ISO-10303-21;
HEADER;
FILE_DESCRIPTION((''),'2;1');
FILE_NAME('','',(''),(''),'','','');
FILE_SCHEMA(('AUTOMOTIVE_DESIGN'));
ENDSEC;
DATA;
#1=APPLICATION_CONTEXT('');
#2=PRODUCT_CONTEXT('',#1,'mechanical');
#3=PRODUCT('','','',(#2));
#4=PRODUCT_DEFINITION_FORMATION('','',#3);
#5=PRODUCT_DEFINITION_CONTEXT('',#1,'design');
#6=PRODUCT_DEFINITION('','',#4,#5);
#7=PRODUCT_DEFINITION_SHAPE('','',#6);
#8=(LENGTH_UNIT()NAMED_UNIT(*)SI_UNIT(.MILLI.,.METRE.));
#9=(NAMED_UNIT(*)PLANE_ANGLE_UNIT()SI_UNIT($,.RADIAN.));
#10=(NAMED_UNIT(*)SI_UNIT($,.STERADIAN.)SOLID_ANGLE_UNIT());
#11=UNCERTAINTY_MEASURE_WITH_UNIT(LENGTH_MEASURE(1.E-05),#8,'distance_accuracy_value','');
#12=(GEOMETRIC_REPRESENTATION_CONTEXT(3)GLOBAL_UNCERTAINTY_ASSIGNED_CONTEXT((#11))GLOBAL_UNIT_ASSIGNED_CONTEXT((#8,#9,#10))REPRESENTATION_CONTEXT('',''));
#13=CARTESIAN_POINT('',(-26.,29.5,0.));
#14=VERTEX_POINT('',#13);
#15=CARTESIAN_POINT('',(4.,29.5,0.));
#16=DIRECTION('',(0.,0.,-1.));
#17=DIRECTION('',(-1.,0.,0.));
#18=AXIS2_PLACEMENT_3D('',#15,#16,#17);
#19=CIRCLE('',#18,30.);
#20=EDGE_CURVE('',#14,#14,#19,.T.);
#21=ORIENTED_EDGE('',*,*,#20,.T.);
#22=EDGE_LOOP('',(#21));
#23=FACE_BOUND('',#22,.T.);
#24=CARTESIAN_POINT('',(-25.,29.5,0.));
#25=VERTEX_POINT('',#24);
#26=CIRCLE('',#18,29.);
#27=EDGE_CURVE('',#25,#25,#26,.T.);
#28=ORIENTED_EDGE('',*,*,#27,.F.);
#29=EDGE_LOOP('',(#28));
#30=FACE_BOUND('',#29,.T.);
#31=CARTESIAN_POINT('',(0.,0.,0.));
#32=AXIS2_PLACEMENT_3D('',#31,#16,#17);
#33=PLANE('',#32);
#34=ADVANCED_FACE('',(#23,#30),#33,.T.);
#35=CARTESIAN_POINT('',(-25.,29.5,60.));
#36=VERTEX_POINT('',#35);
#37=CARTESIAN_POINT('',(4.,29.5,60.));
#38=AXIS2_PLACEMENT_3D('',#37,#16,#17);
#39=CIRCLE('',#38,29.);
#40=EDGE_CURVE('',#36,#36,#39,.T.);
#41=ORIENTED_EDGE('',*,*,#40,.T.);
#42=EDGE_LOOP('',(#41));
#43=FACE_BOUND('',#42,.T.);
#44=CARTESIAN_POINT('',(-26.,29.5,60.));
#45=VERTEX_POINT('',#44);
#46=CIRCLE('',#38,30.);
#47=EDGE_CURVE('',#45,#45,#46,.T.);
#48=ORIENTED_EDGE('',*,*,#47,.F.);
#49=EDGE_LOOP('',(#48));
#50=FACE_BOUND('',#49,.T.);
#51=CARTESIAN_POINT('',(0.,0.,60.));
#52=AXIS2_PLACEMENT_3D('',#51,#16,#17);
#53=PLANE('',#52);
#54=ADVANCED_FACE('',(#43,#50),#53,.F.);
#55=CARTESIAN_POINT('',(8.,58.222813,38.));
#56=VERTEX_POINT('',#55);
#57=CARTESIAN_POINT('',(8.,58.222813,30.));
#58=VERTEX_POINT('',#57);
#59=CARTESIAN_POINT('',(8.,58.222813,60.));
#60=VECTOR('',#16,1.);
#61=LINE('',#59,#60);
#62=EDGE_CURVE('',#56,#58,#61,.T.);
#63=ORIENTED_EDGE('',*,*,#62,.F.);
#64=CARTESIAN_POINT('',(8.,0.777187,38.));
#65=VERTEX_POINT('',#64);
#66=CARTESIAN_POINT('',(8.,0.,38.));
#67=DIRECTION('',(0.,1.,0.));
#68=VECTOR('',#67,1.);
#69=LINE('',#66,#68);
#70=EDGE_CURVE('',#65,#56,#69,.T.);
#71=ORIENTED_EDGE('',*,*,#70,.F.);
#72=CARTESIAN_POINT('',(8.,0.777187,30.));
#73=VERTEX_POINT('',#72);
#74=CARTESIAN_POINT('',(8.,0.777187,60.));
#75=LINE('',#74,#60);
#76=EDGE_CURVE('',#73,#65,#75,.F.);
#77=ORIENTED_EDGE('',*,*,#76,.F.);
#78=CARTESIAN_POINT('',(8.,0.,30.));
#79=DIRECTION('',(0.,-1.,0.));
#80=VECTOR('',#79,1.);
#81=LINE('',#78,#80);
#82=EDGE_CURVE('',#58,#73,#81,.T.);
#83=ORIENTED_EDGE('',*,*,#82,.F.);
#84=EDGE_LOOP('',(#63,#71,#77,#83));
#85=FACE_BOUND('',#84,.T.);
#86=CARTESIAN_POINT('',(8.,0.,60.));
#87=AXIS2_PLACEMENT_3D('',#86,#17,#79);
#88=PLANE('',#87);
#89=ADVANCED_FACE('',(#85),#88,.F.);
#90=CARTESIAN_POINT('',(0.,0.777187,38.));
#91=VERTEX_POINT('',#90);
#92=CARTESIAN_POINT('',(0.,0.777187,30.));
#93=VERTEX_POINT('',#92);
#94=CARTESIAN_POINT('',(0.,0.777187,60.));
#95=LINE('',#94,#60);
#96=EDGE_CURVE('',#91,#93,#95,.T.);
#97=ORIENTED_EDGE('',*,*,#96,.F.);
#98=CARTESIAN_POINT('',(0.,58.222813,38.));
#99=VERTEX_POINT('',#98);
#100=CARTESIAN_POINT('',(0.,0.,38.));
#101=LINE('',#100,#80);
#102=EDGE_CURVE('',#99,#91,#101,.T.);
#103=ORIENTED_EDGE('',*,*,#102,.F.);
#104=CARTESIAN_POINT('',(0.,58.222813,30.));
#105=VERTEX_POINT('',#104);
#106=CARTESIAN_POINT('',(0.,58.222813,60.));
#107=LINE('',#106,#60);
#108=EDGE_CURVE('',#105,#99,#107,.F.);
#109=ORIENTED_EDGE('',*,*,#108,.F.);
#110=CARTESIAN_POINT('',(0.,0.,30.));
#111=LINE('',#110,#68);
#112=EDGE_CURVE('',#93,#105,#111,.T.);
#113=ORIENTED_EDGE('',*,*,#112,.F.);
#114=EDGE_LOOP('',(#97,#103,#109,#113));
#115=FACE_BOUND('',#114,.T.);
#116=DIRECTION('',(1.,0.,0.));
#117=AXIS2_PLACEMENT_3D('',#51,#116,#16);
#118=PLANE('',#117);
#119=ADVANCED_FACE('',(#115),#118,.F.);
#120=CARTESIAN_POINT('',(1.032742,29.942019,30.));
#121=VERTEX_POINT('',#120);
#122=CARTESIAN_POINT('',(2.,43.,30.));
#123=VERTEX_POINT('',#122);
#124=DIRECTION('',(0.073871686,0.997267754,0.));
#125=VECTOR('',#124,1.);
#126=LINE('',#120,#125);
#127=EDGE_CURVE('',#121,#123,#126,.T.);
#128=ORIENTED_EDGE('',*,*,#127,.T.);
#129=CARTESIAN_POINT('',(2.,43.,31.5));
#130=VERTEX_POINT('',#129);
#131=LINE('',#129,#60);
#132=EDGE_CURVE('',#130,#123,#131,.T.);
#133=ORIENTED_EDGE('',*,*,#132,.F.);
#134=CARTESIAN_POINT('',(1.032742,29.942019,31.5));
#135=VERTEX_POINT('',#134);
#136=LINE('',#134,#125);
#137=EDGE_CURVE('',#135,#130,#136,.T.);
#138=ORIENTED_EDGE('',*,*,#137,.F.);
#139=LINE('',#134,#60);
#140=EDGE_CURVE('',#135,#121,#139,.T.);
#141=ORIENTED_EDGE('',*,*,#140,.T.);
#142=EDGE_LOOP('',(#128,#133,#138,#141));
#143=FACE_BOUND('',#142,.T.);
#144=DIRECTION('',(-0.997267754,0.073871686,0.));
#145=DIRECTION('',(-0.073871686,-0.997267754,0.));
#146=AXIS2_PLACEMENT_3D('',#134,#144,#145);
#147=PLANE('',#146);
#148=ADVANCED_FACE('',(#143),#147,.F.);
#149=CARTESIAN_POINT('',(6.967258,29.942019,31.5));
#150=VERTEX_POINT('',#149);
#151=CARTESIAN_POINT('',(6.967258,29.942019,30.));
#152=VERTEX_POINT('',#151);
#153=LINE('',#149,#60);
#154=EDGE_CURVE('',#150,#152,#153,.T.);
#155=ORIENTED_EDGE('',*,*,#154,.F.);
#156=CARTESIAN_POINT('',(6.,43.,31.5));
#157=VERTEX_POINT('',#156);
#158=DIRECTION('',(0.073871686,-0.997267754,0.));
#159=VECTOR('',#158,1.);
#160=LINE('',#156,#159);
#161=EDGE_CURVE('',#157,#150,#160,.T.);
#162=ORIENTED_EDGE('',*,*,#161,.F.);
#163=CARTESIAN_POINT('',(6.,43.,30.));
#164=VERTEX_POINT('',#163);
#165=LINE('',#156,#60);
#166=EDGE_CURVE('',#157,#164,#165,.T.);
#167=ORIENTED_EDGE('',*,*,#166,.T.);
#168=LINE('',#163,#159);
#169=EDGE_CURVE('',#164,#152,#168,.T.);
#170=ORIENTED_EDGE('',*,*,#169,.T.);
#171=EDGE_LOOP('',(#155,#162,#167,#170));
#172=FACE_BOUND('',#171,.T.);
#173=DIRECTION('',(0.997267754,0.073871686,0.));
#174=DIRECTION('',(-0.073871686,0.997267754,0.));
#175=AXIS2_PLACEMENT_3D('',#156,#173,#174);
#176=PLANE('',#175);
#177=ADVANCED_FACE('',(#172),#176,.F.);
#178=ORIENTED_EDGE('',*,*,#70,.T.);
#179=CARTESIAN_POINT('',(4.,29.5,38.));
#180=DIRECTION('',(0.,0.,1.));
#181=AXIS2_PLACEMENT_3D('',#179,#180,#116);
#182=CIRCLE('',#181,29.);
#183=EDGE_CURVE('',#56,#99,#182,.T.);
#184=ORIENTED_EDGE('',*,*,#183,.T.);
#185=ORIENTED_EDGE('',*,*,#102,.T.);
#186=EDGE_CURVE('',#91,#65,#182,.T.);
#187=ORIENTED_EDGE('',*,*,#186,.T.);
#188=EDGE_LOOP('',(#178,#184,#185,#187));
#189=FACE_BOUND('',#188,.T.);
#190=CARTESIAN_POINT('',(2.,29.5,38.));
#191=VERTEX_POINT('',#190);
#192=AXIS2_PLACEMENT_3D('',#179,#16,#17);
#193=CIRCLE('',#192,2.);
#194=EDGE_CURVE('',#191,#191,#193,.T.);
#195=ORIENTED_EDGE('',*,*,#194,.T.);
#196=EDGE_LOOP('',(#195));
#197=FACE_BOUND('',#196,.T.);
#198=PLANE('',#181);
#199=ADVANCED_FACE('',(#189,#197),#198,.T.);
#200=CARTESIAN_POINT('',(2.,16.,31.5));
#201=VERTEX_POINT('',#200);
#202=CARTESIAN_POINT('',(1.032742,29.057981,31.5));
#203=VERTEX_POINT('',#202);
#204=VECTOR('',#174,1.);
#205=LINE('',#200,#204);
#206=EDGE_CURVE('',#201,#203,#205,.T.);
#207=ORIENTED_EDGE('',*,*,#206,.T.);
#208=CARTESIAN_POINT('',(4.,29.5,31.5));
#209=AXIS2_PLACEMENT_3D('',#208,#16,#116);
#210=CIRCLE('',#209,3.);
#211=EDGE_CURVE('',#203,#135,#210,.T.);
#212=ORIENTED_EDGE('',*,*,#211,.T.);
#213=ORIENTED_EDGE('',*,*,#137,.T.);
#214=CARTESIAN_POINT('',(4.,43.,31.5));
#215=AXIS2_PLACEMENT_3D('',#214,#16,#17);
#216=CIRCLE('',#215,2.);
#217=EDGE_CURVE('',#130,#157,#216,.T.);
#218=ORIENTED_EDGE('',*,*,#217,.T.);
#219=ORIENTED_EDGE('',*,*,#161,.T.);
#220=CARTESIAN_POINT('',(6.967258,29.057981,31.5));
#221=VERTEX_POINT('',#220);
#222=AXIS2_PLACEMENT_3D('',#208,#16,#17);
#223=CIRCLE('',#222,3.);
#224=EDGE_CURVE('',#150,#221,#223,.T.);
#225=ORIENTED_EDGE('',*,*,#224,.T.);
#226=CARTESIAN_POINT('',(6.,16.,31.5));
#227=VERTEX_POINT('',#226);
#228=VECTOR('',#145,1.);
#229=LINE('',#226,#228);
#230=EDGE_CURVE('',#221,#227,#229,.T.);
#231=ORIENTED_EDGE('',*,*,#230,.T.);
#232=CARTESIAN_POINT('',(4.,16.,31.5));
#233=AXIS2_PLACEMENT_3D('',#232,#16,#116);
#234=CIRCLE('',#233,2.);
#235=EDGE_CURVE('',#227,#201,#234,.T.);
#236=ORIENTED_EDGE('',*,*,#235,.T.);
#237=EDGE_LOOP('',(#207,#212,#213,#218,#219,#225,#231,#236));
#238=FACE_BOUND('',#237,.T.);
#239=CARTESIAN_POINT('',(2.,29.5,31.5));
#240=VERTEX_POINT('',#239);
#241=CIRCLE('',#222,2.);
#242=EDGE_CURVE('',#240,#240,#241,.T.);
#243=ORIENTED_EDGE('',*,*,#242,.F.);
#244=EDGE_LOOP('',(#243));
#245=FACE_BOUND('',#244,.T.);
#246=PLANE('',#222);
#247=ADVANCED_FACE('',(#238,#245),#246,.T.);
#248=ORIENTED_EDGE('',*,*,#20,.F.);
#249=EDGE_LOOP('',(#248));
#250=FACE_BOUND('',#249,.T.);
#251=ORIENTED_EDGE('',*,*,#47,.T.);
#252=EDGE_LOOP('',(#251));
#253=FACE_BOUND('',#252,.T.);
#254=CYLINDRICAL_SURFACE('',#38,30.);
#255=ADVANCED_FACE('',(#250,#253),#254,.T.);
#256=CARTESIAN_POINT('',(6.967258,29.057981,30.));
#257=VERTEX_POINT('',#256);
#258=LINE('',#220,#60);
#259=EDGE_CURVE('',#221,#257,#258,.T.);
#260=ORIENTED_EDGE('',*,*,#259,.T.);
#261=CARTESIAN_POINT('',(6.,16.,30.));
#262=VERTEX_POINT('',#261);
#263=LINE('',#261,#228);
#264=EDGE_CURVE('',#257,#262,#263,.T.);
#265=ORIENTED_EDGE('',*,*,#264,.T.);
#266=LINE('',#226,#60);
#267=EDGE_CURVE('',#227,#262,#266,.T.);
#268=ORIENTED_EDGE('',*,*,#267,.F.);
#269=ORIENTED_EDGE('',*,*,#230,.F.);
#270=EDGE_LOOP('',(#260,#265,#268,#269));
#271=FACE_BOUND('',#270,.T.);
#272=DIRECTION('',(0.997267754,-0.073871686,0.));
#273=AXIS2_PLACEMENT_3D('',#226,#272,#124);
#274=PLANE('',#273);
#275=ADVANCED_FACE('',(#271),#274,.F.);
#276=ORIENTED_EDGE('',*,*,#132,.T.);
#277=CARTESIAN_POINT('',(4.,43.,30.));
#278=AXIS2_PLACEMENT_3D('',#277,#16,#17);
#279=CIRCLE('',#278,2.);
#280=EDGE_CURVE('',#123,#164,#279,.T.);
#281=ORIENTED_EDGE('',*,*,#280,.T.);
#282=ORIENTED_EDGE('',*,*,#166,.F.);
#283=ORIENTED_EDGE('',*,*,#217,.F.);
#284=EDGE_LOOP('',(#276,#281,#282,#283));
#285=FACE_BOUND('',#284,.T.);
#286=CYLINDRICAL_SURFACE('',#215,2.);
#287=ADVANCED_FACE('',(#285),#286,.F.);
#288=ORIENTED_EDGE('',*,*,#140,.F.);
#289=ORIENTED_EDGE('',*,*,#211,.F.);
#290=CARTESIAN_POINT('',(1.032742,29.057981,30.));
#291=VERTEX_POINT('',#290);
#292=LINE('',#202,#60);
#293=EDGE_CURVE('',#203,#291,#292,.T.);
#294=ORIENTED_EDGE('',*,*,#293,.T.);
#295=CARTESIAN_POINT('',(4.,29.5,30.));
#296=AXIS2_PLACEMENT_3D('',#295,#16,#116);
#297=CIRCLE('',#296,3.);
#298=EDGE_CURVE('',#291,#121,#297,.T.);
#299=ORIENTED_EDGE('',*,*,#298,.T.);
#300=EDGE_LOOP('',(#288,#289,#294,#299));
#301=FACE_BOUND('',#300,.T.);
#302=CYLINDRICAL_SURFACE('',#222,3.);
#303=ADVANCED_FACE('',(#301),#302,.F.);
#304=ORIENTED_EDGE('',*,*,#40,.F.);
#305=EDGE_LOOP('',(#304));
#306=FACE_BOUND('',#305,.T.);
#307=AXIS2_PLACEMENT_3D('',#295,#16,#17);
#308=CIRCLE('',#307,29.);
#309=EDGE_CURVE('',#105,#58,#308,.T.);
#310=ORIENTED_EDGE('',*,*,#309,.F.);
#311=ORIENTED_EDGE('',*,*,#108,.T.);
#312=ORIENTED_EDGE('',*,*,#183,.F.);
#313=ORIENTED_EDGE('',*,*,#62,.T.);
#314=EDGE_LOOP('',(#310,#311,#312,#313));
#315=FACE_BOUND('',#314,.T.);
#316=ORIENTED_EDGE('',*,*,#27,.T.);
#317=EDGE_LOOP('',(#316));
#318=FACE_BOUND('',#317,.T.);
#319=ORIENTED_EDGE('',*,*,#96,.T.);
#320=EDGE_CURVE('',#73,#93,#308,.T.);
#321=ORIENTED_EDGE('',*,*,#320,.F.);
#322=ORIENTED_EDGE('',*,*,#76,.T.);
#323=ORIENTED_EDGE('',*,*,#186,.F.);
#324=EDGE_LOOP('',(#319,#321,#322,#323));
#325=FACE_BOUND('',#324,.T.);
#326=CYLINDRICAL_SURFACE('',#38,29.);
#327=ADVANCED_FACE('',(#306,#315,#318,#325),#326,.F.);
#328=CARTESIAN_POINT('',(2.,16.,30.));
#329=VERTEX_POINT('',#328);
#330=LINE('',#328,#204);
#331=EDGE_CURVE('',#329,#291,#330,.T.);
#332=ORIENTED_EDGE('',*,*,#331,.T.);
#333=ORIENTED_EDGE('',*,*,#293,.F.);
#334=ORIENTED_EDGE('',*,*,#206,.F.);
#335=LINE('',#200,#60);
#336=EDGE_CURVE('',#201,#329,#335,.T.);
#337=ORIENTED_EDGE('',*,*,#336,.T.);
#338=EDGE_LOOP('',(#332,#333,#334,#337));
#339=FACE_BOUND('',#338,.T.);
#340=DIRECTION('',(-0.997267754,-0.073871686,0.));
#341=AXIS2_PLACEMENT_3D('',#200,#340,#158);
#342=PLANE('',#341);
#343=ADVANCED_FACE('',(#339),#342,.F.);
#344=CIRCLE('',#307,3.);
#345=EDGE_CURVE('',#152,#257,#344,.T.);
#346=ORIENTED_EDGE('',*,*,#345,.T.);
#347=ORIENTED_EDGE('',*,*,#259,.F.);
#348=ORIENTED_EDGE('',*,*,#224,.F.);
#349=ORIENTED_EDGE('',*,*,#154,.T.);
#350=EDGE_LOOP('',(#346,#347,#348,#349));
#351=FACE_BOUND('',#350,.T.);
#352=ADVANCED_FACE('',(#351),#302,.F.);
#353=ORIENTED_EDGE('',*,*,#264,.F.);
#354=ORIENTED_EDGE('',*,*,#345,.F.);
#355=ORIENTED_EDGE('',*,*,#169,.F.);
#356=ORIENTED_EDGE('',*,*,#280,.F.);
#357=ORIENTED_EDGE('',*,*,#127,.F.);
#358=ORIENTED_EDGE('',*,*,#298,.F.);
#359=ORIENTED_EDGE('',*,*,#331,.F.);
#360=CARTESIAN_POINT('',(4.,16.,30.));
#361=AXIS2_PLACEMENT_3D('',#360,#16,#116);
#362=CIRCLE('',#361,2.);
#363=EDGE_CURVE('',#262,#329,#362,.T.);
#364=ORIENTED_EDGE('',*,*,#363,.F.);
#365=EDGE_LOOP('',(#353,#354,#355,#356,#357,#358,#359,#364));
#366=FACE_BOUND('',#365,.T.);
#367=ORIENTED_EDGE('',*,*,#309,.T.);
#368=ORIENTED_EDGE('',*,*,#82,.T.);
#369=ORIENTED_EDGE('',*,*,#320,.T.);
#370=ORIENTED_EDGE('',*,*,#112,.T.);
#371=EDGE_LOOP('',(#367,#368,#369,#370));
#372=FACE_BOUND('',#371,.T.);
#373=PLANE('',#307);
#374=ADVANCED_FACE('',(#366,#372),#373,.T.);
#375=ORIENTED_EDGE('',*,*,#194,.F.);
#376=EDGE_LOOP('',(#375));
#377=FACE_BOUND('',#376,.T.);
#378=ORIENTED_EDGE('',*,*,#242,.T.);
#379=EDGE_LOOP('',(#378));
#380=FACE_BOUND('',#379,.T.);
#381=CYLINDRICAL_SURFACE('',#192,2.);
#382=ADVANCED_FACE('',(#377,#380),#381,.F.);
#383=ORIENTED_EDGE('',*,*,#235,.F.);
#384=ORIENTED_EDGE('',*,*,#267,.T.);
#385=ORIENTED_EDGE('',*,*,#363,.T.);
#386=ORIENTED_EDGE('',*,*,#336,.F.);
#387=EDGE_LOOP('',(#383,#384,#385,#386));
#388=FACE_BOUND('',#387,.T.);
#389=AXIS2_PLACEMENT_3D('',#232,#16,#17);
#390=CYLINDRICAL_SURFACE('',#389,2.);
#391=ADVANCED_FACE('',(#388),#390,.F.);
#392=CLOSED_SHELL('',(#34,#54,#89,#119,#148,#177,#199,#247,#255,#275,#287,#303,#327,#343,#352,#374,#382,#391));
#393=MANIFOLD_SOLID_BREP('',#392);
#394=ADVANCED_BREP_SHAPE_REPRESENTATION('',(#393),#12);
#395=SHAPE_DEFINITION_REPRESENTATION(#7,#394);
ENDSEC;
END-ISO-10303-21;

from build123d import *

# Parameters (mm, degrees)
ESQUISSE1_W             = 8
ESQUISSE1_H             = 59
BOSS_EXTRU_1_DEPTH      = 60
ESQUISSE3_R             = 30
ESQUISSE3_R_2           = 29
BOSS_EXTRU_2_DEPTH      = 60
ESQUISSE4_R             = 29
ENL_V_MAT_EXTRU_3_DEPTH = 30
ENL_V_MAT_EXTRU_5_DEPTH = 1.5
ESQUISSE6_R             = 29
ENL_V_MAT_EXTRU_6_DEPTH = 22
ESQUISSE7_R             = 2
ENL_V_MAT_EXTRU_7_DEPTH = 6.5


with BuildPart() as part:
    # Esquisse1 → Boss.-Extru.1 (new body)
    with BuildSketch(Plane.XY):
        with Locations((4, 29.5)):
            Rectangle(ESQUISSE1_W, ESQUISSE1_H)
    extrude(amount=BOSS_EXTRU_1_DEPTH)

    # Esquisse3 → Boss.-Extru.2 (add)
    with BuildSketch(Plane(origin=(0, 0, 0), x_dir=(-1, 0, 0), z_dir=(0, 0, -1))):
        with Locations((-4, 29.5)):
            Circle(ESQUISSE3_R)
        with Locations((-4, 29.5)):
            Circle(ESQUISSE3_R_2, mode=Mode.SUBTRACT)
    extrude(amount=-BOSS_EXTRU_2_DEPTH)

    # Esquisse4 → Enlèv. mat.-Extru.3 (cut)
    with BuildSketch(Plane(origin=(0, 0, 0), x_dir=(-1, 0, 0), z_dir=(0, 0, -1))):
        with Locations((-4, 29.5)):
            Circle(ESQUISSE4_R)
    extrude(amount=-ENL_V_MAT_EXTRU_3_DEPTH, mode=Mode.SUBTRACT)

    # Esquisse5 → Enlèv. mat.-Extru.5 (cut)
    with BuildSketch(Plane(origin=(0, 0, 30), x_dir=(-1, 0, 0), z_dir=(0, 0, -1))):
        with BuildLine():
            Line((-6, 43), (-6.967257844, 29.9420191))
            ThreePointArc((-6.967257844, 29.9420191), (-7, 29.5), (-6.967257844, 29.0579809))
            Line((-6.967257844, 29.0579809), (-6, 16))
            ThreePointArc((-6, 16), (-4, 14), (-2, 16))
            Line((-2, 16), (-1.032742156, 29.0579809))
            ThreePointArc((-1.032742156, 29.0579809), (-1, 29.5), (-1.032742156, 29.9420191))
            Line((-1.032742156, 29.9420191), (-2, 43))
            ThreePointArc((-2, 43), (-4, 45), (-6, 43))
        make_face()
    extrude(amount=-ENL_V_MAT_EXTRU_5_DEPTH, mode=Mode.SUBTRACT)

    # Esquisse6 → Enlèv. mat.-Extru.6 (cut)
    with BuildSketch(Plane.XY.offset(60)):
        with Locations((4, 29.5)):
            Circle(ESQUISSE6_R)
    extrude(amount=-ENL_V_MAT_EXTRU_6_DEPTH, mode=Mode.SUBTRACT)

    # Esquisse7 → Enlèv. mat.-Extru.7 (cut)
    with BuildSketch(Plane(origin=(0, 0, 31.5), x_dir=(-1, 0, 0), z_dir=(0, 0, -1))):
        with Locations((-4, 29.5)):
            Circle(ESQUISSE7_R)
    extrude(amount=-ENL_V_MAT_EXTRU_7_DEPTH, mode=Mode.SUBTRACT)


solid = part.part
